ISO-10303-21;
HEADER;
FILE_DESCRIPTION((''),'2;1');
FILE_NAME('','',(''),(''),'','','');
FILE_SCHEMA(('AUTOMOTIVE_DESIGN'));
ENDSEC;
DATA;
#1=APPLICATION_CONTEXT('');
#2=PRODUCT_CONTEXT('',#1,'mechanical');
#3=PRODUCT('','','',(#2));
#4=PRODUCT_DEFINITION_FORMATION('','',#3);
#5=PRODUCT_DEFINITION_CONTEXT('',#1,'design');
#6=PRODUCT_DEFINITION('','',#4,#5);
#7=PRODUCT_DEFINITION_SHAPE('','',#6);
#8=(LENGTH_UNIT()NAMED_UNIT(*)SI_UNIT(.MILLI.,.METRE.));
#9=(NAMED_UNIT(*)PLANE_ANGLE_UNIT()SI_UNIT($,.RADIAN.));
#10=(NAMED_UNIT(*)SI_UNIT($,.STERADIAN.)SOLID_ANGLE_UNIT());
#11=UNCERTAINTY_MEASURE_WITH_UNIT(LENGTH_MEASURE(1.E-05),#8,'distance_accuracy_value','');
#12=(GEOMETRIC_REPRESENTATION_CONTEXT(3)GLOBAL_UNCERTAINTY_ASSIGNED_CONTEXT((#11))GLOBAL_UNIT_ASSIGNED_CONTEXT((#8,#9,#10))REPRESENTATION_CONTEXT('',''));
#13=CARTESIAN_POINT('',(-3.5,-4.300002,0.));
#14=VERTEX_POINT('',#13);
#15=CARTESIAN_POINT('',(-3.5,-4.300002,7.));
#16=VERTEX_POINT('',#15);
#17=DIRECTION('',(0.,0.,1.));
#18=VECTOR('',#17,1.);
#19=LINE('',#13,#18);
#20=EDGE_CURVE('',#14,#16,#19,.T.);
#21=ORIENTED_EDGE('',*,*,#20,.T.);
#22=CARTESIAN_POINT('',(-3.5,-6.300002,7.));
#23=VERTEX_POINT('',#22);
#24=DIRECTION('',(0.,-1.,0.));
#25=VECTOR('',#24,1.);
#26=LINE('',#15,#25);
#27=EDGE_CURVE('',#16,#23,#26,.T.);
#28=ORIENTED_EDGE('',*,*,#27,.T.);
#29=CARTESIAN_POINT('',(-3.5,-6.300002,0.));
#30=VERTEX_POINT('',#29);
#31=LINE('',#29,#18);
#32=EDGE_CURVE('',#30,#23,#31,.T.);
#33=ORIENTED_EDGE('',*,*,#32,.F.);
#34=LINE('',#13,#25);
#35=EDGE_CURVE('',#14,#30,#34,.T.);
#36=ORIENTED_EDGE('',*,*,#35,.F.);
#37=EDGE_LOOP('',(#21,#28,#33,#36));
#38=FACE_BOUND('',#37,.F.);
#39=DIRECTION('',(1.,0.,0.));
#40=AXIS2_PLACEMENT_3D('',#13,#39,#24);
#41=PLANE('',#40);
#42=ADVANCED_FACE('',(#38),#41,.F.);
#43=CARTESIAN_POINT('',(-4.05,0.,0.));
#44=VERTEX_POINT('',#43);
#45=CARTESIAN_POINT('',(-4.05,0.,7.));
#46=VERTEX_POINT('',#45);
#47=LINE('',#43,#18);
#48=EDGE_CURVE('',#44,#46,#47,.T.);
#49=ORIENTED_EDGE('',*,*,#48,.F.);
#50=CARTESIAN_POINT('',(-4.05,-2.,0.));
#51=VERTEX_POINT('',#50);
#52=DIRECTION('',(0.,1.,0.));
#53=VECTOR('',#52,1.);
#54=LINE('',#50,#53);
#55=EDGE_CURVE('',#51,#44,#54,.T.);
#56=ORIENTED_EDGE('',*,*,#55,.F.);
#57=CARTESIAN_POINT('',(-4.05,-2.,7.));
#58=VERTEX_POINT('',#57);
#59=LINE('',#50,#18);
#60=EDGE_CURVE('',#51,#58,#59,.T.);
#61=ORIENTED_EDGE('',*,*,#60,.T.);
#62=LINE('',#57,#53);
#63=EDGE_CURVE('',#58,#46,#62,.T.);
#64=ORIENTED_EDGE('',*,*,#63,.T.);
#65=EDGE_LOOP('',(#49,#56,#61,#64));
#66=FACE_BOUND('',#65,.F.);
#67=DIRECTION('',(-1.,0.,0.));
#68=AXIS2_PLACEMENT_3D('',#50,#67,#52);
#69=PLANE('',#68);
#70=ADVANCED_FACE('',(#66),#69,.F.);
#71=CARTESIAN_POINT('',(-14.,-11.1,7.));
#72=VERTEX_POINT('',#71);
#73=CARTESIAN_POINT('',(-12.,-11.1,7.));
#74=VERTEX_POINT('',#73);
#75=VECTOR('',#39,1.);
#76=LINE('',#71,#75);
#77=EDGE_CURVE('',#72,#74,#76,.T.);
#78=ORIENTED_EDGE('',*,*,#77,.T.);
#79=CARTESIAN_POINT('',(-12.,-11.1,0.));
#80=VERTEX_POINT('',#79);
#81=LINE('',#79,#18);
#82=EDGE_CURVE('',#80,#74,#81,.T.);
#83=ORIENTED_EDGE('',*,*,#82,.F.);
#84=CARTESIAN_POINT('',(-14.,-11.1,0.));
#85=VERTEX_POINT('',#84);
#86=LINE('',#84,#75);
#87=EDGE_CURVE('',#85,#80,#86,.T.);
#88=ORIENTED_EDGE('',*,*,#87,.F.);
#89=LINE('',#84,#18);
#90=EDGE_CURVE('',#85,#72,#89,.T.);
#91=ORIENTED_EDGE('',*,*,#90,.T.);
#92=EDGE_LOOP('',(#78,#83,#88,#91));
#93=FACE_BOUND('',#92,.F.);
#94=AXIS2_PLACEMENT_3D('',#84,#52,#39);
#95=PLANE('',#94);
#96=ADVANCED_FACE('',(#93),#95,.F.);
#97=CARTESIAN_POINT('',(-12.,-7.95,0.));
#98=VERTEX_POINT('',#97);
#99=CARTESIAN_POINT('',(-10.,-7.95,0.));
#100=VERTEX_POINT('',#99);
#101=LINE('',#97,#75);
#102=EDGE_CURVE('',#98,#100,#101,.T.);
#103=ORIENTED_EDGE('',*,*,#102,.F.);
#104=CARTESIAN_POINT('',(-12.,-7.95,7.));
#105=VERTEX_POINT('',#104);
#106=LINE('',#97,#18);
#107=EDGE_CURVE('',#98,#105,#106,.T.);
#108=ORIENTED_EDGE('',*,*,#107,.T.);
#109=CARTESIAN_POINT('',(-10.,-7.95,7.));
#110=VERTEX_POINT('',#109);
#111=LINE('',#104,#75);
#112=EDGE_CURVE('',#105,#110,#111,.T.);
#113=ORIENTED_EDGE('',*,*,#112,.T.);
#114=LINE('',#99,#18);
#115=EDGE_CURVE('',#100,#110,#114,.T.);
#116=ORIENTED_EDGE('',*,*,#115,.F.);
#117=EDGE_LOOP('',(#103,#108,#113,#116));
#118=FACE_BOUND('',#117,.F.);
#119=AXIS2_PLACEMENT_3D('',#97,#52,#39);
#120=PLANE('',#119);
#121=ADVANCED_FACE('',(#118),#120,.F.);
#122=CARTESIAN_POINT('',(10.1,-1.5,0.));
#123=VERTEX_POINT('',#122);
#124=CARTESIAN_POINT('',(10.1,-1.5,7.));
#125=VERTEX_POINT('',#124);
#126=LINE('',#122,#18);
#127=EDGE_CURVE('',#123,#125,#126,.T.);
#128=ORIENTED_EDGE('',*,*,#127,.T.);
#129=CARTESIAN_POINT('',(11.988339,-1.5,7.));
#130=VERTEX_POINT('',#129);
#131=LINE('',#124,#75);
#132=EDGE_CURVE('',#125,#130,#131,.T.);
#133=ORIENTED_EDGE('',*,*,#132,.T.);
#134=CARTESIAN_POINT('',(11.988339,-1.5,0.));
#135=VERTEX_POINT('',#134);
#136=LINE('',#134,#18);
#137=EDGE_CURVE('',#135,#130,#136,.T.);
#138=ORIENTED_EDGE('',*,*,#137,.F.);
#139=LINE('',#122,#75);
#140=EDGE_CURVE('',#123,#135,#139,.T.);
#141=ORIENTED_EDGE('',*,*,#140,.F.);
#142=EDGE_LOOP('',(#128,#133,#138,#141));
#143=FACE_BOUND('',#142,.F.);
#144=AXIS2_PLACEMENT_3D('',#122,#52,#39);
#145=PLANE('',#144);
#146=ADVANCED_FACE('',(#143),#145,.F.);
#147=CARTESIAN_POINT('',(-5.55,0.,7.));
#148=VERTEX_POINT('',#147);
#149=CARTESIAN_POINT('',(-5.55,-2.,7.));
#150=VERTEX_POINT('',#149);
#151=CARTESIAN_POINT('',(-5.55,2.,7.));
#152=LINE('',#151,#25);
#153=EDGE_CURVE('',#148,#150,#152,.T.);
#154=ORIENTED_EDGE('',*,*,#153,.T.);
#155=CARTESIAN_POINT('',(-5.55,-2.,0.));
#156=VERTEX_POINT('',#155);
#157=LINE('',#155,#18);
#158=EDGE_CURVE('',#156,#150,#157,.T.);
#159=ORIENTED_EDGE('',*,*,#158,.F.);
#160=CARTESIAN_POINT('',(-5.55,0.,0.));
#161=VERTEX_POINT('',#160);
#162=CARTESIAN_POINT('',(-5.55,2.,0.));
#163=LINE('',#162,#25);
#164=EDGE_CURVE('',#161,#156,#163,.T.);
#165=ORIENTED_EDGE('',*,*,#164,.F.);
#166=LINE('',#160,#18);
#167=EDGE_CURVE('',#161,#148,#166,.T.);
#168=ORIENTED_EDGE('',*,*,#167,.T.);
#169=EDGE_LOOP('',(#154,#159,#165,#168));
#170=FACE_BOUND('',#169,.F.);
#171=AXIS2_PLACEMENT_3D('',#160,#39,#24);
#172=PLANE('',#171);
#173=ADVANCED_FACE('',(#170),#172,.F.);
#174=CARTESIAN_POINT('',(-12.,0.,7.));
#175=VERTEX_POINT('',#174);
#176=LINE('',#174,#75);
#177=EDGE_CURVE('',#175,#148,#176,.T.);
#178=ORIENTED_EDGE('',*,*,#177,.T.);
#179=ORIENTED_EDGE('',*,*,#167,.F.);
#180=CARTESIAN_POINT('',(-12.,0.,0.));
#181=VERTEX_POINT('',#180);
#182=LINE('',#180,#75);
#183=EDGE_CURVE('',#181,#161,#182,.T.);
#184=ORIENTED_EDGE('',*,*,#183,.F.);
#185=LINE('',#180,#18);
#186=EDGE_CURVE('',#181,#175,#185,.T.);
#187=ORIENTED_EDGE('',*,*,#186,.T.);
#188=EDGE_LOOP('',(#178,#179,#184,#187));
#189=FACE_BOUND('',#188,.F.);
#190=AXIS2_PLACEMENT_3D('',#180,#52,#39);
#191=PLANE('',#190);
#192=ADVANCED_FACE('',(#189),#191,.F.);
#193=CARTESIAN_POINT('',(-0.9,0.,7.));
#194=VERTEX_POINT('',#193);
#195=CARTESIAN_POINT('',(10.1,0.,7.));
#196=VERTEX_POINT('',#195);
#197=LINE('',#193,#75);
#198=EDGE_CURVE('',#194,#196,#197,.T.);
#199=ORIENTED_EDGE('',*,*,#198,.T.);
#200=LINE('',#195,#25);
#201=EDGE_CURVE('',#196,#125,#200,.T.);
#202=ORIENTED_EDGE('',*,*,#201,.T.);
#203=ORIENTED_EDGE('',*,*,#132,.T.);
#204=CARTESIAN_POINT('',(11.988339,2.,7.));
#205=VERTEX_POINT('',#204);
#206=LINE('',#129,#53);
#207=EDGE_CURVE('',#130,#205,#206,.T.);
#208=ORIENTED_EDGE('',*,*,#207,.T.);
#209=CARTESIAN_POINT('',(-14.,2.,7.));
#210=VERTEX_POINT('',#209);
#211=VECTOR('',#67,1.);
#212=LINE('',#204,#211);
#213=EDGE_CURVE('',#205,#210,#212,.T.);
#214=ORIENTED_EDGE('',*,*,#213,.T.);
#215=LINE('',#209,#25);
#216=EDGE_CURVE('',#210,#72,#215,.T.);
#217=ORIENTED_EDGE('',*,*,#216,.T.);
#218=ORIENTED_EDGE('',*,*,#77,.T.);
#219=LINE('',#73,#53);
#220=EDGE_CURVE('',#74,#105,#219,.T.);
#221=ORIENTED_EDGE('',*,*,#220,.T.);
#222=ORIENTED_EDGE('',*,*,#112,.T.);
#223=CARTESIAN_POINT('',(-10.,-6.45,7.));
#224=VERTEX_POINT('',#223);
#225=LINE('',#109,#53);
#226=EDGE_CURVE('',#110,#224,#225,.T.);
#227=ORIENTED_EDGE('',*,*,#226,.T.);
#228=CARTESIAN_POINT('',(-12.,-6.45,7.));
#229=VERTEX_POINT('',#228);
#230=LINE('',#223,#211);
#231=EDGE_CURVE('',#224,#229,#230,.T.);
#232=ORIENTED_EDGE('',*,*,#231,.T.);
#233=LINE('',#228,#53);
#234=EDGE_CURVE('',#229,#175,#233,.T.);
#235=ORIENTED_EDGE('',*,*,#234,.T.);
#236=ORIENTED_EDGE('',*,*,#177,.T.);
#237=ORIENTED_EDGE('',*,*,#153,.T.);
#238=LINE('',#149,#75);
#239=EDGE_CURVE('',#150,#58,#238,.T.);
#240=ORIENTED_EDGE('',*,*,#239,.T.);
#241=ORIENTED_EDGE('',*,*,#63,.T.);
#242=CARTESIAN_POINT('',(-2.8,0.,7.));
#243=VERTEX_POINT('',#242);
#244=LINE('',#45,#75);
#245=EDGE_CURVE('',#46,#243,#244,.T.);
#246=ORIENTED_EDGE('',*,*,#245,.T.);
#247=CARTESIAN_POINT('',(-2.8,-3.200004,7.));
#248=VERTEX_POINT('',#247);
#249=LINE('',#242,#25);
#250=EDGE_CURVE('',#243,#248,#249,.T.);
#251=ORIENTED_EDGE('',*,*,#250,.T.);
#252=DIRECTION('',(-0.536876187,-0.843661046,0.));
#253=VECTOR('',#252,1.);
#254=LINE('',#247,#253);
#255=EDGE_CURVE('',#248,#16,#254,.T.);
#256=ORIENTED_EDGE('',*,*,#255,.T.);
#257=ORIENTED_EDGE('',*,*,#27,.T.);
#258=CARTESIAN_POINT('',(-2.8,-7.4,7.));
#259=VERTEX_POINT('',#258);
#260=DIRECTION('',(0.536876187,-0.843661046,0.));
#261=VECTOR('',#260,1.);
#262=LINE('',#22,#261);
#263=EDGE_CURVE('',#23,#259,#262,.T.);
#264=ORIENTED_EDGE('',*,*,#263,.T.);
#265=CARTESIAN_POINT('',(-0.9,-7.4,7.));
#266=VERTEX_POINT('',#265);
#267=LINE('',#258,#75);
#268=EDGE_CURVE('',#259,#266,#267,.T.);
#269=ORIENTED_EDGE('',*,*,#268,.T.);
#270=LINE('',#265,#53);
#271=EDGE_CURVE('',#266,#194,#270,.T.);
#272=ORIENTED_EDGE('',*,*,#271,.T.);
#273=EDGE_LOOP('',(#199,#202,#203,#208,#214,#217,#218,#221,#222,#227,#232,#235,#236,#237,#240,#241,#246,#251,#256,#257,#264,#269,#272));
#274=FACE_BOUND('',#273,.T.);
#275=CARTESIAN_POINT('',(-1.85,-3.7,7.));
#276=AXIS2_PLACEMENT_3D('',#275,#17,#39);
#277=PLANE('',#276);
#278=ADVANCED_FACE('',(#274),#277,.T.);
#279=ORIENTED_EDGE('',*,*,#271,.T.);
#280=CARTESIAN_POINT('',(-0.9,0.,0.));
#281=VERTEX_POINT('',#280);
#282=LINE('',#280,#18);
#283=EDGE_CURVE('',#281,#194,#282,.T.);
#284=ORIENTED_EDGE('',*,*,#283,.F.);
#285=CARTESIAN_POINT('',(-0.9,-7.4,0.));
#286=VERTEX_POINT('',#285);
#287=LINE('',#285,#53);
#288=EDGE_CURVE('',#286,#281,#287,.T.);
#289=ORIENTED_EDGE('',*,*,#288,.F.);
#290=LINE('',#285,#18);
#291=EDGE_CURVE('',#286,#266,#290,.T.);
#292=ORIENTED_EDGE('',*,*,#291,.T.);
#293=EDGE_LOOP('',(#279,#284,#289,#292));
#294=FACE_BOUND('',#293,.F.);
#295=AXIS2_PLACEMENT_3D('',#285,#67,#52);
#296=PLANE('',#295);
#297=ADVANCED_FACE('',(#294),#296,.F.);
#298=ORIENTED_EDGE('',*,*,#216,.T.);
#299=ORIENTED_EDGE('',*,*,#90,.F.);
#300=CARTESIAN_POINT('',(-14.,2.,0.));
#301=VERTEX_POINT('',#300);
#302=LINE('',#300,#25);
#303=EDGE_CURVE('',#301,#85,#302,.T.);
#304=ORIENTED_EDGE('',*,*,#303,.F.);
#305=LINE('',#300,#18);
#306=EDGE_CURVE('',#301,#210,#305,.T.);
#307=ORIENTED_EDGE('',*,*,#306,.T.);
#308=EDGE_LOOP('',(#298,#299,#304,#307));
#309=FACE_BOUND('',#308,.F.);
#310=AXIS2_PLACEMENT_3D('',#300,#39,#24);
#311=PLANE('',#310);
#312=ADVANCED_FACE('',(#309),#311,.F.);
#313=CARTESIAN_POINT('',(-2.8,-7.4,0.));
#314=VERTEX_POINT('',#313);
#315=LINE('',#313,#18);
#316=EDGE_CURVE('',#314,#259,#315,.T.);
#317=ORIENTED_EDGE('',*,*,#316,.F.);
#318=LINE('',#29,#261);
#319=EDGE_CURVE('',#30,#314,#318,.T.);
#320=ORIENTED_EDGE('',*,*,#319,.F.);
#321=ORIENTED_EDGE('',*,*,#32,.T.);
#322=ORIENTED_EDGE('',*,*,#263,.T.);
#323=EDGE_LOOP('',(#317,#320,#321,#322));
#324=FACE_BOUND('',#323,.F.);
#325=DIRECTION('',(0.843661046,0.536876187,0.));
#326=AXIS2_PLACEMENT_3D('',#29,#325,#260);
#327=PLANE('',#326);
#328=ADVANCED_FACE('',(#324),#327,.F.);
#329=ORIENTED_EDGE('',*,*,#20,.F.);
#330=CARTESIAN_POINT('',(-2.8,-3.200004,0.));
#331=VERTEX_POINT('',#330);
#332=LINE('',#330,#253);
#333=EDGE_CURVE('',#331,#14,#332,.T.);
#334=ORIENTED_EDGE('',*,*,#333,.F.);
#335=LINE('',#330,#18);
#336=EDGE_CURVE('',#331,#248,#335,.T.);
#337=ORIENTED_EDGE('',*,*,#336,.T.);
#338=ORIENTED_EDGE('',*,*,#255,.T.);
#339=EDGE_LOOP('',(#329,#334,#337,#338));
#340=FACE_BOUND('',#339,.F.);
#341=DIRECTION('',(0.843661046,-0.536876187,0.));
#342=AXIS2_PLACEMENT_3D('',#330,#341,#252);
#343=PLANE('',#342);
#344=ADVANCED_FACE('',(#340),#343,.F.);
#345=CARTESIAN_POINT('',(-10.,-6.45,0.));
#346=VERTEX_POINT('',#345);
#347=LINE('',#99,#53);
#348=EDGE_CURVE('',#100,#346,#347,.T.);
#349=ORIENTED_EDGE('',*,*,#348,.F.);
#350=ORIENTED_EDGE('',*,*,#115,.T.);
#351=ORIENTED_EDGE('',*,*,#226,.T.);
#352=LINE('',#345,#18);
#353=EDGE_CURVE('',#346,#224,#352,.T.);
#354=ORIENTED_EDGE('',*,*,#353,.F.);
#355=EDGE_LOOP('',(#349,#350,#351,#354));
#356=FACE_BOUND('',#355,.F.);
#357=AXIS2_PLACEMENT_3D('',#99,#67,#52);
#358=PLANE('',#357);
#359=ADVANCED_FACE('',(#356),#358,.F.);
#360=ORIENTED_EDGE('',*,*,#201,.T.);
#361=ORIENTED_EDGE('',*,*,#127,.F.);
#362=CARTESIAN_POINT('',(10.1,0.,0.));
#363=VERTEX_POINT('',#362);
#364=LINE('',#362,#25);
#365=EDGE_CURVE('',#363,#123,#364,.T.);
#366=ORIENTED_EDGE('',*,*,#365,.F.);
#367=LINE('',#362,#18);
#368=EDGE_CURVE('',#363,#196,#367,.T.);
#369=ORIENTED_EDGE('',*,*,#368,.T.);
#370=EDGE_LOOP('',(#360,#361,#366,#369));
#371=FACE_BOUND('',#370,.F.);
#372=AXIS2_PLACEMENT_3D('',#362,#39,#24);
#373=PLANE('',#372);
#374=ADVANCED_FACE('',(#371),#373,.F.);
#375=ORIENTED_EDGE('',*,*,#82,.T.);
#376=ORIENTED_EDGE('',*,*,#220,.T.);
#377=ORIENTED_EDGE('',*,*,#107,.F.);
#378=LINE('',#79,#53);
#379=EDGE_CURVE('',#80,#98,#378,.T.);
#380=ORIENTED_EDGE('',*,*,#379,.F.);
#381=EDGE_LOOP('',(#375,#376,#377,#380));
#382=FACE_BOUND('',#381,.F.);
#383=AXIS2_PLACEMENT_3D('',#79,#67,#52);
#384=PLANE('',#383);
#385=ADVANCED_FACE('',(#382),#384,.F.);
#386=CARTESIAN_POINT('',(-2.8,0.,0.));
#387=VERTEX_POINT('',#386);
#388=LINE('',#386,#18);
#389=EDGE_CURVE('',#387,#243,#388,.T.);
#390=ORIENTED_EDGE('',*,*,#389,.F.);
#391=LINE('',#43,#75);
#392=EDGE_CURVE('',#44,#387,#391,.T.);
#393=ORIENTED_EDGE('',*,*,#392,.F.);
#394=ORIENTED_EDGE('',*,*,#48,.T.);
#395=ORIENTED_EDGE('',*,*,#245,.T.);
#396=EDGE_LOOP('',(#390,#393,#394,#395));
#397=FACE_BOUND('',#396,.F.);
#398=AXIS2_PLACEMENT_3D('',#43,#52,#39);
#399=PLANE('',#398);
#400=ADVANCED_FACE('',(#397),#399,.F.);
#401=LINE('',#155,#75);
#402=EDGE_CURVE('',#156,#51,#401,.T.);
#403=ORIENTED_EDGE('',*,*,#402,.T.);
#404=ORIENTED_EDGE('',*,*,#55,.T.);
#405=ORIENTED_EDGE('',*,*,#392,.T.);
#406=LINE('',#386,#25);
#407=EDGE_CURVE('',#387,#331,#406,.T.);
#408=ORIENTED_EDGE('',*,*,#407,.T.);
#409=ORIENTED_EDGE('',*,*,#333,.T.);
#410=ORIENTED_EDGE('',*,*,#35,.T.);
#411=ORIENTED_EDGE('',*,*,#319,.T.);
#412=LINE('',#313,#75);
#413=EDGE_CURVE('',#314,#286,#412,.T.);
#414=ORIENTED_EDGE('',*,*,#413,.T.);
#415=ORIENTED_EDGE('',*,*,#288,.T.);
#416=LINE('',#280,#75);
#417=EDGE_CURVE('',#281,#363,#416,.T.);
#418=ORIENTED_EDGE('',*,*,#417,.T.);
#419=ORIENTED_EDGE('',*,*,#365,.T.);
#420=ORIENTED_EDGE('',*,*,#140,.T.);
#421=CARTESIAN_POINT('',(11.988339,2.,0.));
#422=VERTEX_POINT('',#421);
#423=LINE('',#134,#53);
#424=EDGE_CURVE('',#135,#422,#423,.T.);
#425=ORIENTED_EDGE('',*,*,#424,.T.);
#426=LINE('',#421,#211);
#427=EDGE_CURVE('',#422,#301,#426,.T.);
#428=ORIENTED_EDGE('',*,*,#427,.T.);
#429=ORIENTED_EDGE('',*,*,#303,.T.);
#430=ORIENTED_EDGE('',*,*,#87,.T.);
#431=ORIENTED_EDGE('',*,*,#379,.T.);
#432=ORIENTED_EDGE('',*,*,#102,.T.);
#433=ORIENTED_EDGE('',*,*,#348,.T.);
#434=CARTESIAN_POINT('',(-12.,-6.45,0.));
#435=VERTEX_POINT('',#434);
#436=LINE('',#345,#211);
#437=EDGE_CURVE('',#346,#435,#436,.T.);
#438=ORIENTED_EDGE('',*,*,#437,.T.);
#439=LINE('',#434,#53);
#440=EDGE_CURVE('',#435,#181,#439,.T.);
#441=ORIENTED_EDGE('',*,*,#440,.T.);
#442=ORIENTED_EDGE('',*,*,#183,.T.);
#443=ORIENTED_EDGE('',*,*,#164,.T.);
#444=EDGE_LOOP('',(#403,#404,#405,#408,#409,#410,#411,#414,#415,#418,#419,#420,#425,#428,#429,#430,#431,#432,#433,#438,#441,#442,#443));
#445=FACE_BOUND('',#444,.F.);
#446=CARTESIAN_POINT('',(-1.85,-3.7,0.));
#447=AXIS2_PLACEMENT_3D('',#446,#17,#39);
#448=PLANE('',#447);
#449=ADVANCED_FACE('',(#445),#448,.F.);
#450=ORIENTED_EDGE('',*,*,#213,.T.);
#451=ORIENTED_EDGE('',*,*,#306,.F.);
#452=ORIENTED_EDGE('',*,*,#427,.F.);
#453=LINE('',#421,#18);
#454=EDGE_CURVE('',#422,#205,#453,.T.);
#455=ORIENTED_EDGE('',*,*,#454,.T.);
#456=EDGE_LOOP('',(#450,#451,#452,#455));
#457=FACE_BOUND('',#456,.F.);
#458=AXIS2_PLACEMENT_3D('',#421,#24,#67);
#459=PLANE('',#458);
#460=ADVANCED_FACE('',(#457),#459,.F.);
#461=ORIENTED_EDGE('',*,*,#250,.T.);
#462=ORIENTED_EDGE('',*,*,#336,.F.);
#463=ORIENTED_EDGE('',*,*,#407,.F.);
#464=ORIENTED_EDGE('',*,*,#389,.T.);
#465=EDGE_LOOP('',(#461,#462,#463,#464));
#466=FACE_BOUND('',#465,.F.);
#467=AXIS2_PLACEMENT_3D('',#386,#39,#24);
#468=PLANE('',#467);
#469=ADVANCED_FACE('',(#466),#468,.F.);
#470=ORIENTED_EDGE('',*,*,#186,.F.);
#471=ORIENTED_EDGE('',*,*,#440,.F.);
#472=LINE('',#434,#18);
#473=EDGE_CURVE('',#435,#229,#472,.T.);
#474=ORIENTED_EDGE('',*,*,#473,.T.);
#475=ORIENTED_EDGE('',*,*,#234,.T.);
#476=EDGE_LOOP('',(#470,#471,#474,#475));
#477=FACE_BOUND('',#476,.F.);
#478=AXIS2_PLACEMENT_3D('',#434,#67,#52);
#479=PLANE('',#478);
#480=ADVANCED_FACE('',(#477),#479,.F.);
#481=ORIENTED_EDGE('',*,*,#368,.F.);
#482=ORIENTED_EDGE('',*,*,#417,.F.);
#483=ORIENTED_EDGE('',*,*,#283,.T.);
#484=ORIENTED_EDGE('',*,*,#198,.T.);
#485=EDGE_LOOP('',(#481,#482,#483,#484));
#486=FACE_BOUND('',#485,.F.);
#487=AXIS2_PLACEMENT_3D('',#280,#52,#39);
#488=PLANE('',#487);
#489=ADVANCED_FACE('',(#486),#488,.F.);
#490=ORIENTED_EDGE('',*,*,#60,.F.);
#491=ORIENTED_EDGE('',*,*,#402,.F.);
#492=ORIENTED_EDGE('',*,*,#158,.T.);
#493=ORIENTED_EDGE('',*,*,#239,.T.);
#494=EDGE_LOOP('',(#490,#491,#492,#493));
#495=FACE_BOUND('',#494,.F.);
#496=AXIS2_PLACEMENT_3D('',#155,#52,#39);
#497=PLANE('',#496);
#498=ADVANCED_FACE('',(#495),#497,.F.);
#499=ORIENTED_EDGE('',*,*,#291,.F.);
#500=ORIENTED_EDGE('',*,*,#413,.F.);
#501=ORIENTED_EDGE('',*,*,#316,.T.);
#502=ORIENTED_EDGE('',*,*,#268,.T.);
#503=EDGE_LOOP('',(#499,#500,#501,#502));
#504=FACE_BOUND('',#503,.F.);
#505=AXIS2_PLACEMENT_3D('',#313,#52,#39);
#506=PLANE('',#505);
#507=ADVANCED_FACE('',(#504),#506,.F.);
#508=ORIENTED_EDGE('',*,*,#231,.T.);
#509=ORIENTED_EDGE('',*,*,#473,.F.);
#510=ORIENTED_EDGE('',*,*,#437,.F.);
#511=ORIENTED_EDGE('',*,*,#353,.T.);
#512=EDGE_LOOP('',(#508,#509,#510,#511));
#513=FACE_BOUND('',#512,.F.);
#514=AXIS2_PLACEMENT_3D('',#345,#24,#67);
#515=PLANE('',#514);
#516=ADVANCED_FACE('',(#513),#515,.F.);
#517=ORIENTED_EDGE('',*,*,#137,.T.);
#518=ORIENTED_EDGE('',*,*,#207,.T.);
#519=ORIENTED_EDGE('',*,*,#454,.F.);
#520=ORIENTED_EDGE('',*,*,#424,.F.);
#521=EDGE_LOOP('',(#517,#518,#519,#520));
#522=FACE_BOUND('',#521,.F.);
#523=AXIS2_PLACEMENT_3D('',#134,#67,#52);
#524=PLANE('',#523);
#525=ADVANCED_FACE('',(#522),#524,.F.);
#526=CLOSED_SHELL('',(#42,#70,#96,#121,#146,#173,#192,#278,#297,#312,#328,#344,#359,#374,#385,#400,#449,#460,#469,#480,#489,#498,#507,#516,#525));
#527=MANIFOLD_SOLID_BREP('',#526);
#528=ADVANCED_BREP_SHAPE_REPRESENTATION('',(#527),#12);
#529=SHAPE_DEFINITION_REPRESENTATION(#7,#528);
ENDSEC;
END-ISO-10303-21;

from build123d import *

# Parameters (mm, degrees)
F1_DEPTH = 7


with BuildPart() as f1:
    # F0 (on Top) → F1 (new body)
    with BuildSketch(Plane.XY):
        Polygon((-0.9, -7.4), (-0.9, 0), (-2.8, 0), (-2.8, -3.200004), (-2.8, -7.4), align=None)
        Polygon((-2.8, 0), (-0.9, 0), (10.1, 0), (10.1, -1.5), (11.988339, -1.5), (11.988339, 2), (0, 2), (-5.55, 2), (-5.55, 0), (-5.55, -2), (-4.05, -2), (-4.05, 0), align=None)
        Polygon((-2.8, -7.4), (-2.8, -3.200004), (-3.5, -4.300002), (-3.5, -6.300002), align=None)
        Polygon((-12, 0), (-5.55, 0), (-5.55, 2), (-14, 2), (-14, -6.45), (-12, -6.45), align=None)
        Polygon((-10, -6.45), (-12, -6.45), (-14, -6.45), (-14, -11.1), (-12, -11.1), (-12, -9.2), (-12, -7.95), (-10, -7.95), align=None)
    extrude(amount=F1_DEPTH)


solid = f1.part
